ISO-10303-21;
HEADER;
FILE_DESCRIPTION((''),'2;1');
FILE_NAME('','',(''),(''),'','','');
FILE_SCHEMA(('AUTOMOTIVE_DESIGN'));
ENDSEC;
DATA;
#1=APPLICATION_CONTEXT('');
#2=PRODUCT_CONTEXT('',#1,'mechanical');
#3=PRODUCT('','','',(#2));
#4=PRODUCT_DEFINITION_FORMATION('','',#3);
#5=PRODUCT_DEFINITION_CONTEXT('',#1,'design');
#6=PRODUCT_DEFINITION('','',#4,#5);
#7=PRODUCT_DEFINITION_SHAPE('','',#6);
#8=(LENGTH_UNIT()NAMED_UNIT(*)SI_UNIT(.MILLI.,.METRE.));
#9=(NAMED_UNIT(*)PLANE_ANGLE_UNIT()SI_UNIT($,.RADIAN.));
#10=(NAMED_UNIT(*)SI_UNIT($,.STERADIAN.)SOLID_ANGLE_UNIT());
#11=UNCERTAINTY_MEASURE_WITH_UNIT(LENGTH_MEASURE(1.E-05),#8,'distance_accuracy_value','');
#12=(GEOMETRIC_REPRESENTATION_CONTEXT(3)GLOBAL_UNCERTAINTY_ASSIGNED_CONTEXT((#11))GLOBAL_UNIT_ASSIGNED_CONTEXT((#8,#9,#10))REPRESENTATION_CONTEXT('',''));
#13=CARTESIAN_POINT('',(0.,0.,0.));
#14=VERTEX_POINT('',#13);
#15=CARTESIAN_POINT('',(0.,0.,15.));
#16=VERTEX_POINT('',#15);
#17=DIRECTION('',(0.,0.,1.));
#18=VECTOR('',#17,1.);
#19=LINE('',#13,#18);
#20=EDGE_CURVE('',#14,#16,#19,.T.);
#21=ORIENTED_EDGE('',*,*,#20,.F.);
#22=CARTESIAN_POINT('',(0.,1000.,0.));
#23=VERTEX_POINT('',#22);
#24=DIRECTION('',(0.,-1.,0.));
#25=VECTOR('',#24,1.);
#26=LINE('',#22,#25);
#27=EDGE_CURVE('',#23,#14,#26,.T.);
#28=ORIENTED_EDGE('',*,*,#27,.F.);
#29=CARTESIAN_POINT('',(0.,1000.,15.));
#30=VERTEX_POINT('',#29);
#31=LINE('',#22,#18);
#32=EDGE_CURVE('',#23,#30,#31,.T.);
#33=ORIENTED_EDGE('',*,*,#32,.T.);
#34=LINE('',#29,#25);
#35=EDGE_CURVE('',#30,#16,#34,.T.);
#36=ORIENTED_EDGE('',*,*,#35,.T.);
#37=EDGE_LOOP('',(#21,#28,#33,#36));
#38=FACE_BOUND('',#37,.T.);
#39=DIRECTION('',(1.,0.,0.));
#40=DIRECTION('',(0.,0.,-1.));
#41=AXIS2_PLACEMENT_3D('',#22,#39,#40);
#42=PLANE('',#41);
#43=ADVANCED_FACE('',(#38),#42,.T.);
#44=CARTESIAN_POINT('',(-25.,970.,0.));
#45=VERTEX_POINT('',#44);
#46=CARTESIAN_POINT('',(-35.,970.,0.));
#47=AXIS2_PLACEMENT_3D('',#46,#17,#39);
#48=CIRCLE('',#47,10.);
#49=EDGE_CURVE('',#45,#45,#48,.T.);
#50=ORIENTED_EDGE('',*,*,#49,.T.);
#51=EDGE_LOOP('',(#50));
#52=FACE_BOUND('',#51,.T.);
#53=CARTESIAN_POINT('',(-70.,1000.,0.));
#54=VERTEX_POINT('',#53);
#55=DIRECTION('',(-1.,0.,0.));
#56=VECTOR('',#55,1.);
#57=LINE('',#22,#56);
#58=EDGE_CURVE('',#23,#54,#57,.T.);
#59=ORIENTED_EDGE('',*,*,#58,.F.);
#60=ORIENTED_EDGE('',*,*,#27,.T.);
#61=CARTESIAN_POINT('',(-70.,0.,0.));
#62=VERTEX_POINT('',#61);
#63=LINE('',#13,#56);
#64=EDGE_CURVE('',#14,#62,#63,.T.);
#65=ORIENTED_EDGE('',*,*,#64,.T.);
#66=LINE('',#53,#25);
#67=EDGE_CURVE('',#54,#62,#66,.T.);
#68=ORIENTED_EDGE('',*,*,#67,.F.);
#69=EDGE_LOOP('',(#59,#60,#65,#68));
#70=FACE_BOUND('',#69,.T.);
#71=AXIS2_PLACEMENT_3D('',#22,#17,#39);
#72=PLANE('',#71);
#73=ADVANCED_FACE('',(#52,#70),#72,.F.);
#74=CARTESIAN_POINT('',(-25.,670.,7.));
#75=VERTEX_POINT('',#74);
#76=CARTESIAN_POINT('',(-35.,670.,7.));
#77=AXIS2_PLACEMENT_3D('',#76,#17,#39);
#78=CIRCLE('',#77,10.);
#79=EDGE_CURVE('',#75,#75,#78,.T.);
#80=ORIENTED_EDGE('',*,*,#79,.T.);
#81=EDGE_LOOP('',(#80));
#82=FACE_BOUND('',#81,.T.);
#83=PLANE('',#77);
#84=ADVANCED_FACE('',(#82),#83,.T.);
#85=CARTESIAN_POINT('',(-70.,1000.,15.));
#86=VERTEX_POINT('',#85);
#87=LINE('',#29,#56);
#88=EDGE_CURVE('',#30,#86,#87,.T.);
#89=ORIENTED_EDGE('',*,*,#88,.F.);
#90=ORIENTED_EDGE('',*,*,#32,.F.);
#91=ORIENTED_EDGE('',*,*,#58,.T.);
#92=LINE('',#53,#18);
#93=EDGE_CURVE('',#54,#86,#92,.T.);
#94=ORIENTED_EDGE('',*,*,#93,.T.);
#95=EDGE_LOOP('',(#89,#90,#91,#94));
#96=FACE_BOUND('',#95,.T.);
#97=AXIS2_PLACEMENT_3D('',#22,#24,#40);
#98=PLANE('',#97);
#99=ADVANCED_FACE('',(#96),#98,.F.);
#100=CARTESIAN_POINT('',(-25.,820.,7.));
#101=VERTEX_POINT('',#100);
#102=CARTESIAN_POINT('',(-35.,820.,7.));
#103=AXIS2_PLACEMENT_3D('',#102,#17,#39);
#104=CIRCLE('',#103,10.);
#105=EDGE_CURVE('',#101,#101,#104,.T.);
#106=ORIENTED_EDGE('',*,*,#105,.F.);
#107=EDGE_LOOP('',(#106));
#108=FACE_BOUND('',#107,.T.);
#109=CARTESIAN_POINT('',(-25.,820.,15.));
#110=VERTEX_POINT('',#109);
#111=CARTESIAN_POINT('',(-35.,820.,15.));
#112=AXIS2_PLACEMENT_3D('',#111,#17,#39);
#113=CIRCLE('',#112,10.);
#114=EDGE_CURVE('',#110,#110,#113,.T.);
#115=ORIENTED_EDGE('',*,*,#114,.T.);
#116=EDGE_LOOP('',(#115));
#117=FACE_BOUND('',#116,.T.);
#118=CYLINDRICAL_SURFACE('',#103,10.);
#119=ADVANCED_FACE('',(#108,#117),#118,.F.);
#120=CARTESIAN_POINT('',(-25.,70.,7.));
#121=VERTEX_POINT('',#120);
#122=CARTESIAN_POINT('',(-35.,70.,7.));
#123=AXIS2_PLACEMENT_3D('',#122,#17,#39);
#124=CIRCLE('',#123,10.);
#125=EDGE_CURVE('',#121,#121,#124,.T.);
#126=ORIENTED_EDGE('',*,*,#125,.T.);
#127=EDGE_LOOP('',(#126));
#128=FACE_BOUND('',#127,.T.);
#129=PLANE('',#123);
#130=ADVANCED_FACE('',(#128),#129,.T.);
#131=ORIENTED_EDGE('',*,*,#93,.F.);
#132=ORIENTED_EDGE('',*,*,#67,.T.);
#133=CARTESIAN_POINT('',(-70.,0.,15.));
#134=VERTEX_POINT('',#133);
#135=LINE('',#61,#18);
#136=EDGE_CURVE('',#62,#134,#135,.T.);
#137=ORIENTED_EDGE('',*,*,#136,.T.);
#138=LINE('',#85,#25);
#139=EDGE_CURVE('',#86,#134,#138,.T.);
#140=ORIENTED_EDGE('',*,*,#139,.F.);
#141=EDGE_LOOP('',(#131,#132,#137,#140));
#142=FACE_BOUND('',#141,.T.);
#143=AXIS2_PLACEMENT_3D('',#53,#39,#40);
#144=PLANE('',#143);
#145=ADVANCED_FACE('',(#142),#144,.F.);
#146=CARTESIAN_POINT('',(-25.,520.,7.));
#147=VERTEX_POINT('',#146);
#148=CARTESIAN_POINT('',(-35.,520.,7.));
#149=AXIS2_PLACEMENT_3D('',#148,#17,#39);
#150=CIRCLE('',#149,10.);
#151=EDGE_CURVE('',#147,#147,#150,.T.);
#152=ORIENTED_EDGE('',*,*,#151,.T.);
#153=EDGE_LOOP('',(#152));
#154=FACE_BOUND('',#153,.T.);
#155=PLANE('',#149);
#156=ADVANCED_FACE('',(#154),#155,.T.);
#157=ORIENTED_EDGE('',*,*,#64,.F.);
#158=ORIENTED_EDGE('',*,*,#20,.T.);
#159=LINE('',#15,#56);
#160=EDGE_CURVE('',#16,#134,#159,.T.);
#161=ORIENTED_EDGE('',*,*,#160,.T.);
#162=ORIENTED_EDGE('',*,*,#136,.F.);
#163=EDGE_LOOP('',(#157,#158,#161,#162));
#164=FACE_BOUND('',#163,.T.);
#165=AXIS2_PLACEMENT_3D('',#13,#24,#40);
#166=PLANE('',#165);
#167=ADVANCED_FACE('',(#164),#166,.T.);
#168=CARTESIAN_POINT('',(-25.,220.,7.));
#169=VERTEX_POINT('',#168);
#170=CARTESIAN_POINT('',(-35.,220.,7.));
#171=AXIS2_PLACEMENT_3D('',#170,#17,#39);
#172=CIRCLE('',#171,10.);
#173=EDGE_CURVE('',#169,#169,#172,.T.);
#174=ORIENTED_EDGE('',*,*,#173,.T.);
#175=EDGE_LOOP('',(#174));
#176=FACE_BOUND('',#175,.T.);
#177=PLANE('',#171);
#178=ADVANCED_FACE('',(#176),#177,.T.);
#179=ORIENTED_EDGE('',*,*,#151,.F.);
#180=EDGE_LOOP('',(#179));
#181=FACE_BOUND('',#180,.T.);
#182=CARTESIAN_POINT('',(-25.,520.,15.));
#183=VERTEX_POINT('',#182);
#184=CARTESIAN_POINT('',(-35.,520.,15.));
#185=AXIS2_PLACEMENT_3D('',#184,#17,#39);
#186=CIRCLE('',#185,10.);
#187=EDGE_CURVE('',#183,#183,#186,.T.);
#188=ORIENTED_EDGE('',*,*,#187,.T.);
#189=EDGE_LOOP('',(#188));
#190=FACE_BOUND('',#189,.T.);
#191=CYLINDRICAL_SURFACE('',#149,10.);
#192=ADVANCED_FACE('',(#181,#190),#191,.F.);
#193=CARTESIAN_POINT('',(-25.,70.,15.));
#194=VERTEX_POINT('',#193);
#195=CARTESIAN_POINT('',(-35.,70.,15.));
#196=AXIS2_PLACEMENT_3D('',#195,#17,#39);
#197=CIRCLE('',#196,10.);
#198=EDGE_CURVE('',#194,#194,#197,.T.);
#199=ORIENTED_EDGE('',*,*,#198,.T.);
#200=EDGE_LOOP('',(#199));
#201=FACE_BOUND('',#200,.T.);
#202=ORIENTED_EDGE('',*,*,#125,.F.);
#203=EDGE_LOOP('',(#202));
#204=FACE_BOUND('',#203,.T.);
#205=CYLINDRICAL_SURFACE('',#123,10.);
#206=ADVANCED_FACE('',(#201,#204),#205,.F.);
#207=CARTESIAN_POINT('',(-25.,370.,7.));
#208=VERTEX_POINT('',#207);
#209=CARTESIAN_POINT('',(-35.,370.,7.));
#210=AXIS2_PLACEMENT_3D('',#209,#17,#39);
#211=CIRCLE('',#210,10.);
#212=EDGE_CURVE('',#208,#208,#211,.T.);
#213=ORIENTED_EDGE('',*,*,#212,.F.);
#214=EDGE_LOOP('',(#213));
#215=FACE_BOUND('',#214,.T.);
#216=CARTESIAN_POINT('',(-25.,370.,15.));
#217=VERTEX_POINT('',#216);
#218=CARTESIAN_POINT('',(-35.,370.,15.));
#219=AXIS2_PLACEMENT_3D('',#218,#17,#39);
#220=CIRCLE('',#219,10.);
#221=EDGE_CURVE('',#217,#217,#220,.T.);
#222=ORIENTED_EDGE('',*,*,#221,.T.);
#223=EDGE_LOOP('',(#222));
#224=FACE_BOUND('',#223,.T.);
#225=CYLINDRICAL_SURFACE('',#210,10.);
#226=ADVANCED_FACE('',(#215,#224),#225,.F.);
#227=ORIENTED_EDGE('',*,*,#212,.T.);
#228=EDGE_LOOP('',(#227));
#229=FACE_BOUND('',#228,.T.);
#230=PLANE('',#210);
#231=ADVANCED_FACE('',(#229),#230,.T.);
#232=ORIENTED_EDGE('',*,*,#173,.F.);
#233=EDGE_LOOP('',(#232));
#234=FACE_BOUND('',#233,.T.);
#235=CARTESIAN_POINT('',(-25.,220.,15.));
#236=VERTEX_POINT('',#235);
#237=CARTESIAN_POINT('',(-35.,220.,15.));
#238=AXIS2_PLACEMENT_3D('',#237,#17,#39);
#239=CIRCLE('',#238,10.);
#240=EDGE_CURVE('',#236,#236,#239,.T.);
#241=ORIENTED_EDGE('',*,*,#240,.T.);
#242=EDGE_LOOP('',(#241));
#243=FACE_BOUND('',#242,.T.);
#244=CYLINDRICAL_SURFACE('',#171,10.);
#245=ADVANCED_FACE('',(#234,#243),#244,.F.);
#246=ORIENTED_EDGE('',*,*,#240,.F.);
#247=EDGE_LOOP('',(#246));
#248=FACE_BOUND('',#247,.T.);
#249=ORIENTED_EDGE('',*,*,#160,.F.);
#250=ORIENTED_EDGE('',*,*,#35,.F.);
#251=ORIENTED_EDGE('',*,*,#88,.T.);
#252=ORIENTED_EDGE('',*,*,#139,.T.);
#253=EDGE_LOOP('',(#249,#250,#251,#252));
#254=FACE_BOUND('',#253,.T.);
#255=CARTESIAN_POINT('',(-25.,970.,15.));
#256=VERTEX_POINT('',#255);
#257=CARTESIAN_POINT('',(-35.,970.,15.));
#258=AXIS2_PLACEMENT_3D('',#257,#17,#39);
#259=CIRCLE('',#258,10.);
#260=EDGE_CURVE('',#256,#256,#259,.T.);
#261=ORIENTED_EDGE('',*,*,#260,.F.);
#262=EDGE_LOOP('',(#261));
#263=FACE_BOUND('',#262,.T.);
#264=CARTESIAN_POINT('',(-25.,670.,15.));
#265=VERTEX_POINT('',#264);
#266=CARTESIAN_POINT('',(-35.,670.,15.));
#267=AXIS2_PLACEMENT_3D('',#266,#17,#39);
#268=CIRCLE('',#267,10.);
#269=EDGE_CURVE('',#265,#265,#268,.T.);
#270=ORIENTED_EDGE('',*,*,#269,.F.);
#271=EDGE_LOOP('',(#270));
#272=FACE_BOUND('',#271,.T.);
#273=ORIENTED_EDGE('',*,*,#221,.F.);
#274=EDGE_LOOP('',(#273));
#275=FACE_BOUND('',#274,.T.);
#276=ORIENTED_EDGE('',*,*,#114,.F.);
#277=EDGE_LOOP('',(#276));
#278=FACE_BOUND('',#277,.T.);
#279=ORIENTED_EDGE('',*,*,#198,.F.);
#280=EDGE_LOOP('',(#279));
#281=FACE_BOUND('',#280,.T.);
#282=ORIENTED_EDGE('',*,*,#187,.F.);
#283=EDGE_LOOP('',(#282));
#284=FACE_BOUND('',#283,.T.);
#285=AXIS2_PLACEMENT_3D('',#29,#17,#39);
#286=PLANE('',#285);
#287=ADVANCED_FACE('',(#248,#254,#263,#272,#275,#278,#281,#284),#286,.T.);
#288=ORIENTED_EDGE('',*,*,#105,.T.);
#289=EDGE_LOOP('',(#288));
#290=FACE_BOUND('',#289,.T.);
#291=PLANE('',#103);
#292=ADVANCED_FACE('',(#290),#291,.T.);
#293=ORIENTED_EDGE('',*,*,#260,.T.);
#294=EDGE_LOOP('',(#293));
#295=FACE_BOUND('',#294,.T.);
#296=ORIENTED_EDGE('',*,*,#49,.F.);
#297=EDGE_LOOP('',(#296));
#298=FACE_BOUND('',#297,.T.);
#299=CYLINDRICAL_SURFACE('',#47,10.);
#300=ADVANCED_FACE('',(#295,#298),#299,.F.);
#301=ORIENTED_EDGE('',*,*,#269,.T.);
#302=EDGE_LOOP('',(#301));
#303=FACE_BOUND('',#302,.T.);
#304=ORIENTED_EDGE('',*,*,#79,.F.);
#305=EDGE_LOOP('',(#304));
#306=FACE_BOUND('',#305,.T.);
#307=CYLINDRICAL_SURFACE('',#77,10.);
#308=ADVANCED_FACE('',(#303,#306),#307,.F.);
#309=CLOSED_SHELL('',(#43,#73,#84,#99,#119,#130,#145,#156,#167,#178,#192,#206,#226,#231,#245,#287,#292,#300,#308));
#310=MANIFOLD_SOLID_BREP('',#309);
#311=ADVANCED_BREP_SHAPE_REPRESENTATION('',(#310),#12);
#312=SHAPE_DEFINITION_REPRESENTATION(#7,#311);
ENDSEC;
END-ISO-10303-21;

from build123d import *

# Parameters (mm, degrees)
SKETCH1_W           = 70
SKETCH1_H           = 15
BOSS_EXTRUDE1_DEPTH = 1000
SKETCH2_R           = 10
CUT_EXTRUDE1_DEPTH  = 15
SKETCH3_R           = 10
CUT_EXTRUDE2_DEPTH  = 8


with BuildPart() as part:
    # Sketch1 → Boss-Extrude1 (new body)
    with BuildSketch(Plane(origin=(0, 0, 0), x_dir=(1, 0, 0), z_dir=(0, 1, 0))):
        with Locations((-35, -7.5)):
            Rectangle(SKETCH1_W, SKETCH1_H)
    extrude(amount=BOSS_EXTRUDE1_DEPTH)

    # Sketch2 → Cut-Extrude1 (cut)
    with BuildSketch(Plane.XY.offset(15)):
        with Locations((-35, 970)):
            Circle(SKETCH2_R)
    extrude(amount=-CUT_EXTRUDE1_DEPTH, mode=Mode.SUBTRACT)

    # Sketch3 → Cut-Extrude2 (cut)
    with BuildSketch(Plane.XY.offset(15)):
        with Locations((-35, 820)):
            Circle(SKETCH3_R)
        with Locations((-35, 670)):
            Circle(SKETCH3_R)
        with Locations((-35, 520)):
            Circle(SKETCH3_R)
        with Locations((-35, 370)):
            Circle(SKETCH3_R)
        with Locations((-35, 220)):
            Circle(SKETCH3_R)
        with Locations((-35, 70)):
            Circle(SKETCH3_R)
    extrude(amount=-CUT_EXTRUDE2_DEPTH, mode=Mode.SUBTRACT)


solid = part.part
